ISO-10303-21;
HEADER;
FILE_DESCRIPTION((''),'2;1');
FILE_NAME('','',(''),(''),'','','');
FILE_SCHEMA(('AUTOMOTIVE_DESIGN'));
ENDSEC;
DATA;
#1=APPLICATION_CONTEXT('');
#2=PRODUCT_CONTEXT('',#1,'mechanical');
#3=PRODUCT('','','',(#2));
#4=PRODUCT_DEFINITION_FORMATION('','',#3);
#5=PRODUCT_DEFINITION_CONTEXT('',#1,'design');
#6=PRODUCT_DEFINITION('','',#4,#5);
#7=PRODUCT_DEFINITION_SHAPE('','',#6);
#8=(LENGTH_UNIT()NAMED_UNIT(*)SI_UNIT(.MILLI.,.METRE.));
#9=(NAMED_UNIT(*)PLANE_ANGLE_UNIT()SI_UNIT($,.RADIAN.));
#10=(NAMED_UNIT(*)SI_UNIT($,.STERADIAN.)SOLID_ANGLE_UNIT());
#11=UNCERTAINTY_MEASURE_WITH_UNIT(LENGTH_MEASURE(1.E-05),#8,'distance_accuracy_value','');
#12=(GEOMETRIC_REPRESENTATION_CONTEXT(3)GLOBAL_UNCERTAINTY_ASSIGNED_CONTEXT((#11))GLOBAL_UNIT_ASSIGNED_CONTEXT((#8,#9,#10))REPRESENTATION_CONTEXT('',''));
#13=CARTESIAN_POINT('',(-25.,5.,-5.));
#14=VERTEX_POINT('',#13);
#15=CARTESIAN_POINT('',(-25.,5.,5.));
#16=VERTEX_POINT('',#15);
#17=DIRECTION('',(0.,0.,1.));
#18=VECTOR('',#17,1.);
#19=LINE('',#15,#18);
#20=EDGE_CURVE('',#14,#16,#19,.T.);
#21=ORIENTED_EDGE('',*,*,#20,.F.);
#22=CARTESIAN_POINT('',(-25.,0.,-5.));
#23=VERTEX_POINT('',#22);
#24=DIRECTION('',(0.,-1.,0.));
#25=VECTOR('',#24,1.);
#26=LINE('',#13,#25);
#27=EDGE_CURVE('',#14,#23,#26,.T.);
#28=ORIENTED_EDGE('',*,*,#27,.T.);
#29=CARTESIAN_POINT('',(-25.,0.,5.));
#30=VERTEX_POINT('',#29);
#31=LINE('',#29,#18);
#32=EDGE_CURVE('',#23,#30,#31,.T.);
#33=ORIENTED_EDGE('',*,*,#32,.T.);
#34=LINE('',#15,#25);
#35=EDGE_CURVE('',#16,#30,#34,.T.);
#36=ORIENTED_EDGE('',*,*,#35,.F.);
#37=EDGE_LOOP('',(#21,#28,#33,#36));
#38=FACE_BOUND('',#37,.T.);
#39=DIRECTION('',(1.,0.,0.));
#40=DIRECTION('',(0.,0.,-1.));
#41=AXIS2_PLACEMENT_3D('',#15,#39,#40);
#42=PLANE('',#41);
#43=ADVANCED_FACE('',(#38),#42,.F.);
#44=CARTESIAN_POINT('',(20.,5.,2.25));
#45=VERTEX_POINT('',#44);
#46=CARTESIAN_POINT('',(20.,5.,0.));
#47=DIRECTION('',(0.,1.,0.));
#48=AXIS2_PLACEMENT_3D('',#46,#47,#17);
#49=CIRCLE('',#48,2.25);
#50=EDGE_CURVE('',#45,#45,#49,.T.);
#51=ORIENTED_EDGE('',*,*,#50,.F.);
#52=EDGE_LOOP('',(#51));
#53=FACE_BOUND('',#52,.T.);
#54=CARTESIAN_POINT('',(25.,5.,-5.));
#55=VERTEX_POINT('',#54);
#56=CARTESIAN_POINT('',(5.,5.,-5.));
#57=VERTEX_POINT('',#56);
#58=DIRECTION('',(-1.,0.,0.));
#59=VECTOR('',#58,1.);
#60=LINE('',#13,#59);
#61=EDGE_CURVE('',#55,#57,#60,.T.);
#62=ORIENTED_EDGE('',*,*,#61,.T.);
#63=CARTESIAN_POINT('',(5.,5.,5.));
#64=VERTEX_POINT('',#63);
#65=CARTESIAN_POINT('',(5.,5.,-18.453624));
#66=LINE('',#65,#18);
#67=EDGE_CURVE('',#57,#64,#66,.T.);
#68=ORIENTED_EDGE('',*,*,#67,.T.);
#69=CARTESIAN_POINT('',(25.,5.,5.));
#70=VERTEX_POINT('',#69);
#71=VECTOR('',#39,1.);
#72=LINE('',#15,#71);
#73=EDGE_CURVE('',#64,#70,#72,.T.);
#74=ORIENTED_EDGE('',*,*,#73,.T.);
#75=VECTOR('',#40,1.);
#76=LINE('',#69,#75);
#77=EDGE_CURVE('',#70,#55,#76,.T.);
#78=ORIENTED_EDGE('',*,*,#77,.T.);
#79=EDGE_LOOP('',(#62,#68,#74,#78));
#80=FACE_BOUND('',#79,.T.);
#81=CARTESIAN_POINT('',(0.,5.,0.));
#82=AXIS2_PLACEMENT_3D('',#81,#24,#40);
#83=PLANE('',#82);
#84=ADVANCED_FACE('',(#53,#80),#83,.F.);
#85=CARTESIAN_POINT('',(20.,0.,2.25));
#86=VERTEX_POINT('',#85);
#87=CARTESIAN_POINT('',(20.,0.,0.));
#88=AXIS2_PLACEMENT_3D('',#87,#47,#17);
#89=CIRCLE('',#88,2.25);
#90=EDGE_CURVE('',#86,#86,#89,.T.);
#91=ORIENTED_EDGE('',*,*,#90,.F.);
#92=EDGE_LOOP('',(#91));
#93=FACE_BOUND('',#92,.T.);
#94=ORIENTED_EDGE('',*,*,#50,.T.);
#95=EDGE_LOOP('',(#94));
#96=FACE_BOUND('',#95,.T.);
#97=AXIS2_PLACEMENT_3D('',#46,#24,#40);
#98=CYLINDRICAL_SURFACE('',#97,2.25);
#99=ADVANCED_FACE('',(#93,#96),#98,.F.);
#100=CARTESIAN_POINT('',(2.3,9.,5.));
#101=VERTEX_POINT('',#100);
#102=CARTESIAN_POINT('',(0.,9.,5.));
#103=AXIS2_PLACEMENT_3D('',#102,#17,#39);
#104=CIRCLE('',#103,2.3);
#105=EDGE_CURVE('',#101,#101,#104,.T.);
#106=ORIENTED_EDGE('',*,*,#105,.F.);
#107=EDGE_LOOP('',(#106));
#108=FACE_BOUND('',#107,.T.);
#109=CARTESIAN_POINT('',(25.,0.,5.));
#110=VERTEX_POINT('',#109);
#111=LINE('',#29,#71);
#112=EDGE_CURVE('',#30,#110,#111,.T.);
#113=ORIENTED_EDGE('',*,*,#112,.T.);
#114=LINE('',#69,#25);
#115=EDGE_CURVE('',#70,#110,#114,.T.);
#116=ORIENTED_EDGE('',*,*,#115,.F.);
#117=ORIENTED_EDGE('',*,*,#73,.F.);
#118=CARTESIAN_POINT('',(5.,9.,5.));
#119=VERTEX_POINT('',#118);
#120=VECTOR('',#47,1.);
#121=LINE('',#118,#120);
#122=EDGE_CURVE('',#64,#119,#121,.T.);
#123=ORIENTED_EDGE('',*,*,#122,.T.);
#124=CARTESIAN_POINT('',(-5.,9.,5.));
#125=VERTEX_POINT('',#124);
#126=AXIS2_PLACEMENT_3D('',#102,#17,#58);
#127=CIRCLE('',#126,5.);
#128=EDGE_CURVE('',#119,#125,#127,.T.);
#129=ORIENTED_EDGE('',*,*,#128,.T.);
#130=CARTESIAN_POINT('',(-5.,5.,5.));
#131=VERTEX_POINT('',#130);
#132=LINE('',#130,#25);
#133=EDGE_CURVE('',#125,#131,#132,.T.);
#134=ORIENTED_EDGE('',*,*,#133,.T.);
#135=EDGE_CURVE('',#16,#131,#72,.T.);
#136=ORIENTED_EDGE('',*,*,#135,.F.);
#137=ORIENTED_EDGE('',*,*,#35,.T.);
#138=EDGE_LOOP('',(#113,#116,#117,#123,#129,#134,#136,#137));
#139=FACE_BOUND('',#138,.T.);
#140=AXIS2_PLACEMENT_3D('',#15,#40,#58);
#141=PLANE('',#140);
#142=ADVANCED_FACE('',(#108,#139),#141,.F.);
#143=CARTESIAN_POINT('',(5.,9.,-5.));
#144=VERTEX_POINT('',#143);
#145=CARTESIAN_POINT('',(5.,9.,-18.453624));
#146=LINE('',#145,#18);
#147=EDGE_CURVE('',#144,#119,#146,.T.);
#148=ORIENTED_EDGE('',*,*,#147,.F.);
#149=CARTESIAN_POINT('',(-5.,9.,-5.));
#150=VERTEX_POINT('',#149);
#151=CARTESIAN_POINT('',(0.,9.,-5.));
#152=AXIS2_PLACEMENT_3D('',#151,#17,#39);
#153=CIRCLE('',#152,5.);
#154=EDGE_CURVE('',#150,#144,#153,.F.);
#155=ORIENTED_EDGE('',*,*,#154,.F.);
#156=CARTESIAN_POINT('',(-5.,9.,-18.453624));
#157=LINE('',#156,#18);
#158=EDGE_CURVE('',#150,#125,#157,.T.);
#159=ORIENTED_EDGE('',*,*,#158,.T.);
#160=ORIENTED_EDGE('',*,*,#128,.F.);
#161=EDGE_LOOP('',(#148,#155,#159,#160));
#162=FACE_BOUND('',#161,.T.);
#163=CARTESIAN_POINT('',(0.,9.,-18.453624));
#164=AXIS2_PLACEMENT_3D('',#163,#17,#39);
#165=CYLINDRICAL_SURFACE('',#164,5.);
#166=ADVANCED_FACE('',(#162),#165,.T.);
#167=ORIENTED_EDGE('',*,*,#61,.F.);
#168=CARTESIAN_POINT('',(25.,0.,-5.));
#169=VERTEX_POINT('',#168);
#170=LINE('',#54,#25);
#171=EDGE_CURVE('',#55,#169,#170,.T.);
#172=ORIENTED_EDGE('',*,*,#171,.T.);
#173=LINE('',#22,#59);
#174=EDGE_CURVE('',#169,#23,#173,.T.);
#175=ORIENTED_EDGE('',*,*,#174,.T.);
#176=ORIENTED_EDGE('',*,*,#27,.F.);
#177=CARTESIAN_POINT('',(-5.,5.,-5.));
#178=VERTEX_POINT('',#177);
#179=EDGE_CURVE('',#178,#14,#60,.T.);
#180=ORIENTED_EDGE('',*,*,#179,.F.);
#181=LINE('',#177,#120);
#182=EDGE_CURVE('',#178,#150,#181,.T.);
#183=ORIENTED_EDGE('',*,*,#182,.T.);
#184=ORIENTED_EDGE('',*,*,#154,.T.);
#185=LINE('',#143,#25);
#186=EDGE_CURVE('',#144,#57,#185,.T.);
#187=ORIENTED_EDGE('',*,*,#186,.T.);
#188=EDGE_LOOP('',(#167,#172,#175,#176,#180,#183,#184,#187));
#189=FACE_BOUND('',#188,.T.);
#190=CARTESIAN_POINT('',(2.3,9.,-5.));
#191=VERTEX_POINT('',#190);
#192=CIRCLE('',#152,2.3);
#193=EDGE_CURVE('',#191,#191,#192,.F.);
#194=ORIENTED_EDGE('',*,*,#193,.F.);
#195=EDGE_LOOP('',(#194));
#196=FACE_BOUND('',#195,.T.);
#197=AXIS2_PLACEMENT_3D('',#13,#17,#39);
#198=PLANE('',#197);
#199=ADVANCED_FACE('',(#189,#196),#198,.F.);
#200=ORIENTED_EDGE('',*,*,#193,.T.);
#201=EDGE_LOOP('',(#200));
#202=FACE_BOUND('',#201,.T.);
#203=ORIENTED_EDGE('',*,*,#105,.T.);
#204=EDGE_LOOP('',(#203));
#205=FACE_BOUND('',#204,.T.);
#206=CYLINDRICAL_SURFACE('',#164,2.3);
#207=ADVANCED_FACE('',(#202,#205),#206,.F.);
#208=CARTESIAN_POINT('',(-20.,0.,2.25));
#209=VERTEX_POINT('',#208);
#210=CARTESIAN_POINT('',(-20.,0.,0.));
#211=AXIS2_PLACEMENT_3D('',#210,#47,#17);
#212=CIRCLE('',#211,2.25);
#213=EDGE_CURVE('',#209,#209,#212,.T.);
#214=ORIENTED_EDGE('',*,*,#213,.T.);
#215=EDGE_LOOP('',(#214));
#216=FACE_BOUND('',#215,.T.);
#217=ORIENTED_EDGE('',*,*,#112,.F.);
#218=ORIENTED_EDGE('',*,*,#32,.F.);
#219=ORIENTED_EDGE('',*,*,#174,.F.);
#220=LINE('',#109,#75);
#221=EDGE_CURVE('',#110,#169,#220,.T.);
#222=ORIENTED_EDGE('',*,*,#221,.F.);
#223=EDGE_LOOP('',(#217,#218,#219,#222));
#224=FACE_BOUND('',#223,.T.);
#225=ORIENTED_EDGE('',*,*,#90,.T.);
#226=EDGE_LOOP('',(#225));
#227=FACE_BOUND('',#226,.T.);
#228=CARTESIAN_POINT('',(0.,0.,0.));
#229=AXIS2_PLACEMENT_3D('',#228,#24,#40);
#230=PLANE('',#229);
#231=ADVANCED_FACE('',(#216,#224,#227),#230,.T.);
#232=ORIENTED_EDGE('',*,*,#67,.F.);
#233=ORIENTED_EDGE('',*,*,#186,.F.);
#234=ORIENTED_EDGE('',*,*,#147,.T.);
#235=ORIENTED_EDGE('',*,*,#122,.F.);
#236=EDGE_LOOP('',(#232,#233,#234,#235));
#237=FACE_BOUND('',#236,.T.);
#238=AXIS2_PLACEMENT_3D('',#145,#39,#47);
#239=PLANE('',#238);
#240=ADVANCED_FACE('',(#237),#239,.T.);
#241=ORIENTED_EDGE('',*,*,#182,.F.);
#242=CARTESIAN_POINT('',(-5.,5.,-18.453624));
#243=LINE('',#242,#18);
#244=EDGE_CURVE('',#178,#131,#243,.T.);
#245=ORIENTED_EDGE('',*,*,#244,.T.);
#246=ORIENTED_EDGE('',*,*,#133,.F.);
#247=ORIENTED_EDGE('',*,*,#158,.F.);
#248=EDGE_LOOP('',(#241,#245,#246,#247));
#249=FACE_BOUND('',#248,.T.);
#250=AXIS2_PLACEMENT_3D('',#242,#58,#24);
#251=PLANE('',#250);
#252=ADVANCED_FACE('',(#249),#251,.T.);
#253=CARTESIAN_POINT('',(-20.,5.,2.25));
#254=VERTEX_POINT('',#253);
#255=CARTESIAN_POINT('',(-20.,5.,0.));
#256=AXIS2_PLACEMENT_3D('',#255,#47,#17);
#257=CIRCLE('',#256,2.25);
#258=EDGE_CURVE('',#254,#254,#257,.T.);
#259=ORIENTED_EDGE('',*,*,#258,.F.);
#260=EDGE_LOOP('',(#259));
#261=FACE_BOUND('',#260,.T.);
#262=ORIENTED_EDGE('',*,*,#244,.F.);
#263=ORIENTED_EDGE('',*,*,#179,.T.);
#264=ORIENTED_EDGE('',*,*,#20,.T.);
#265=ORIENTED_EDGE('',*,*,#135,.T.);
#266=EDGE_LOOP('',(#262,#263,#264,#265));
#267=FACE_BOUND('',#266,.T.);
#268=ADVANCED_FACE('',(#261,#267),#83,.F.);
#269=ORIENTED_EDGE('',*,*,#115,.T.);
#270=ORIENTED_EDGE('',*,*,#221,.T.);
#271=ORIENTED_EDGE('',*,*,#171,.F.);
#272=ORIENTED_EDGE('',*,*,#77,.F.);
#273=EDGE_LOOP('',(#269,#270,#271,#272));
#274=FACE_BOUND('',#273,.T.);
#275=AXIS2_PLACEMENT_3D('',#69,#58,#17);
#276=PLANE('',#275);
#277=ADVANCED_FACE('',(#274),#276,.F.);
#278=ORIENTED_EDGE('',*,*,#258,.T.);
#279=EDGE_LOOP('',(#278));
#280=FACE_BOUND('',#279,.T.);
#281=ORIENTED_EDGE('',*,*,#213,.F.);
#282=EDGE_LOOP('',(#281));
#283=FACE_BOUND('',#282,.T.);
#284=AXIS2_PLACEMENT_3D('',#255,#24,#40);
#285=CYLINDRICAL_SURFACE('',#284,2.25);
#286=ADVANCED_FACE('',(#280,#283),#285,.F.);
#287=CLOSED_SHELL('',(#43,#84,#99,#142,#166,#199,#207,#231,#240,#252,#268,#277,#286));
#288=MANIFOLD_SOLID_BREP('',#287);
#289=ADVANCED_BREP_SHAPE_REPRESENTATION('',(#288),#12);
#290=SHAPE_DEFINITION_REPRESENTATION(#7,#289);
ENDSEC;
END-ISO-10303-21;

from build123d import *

# Parameters (mm, degrees)
SKETCH1_W           = 50
SKETCH1_H           = 10
SKETCH1_R           = 2.25
BOSS_EXTRUDE1_DEPTH = 5
SKETCH3_R           = 2.3
BOSS_EXTRUDE2_DEPTH = 10


with BuildPart() as part:
    # Sketch1 → Boss-Extrude1 (new body)
    with BuildSketch(Plane(origin=(0, 0, 0), x_dir=(1, 0, 0), z_dir=(0, 1, 0))):
        Rectangle(SKETCH1_W, SKETCH1_H)
        with Locations((-20, 0)):
            Circle(SKETCH1_R, mode=Mode.SUBTRACT)
        with Locations((20, 0)):
            Circle(SKETCH1_R, mode=Mode.SUBTRACT)
    extrude(amount=BOSS_EXTRUDE1_DEPTH)

    # Sketch3 → Boss-Extrude2 (add)
    with BuildSketch(Plane.XY.offset(5)):
        with BuildLine():
            Line((-5, 5), (-5, 9))
            ThreePointArc((-5, 9), (0, 14), (5, 9))
            Line((5, 9), (5, 5))
            Line((5, 5), (-5, 5))
        make_face()
        with Locations((0, 9)):
            Circle(SKETCH3_R, mode=Mode.SUBTRACT)
    extrude(amount=-BOSS_EXTRUDE2_DEPTH)


solid = part.part
